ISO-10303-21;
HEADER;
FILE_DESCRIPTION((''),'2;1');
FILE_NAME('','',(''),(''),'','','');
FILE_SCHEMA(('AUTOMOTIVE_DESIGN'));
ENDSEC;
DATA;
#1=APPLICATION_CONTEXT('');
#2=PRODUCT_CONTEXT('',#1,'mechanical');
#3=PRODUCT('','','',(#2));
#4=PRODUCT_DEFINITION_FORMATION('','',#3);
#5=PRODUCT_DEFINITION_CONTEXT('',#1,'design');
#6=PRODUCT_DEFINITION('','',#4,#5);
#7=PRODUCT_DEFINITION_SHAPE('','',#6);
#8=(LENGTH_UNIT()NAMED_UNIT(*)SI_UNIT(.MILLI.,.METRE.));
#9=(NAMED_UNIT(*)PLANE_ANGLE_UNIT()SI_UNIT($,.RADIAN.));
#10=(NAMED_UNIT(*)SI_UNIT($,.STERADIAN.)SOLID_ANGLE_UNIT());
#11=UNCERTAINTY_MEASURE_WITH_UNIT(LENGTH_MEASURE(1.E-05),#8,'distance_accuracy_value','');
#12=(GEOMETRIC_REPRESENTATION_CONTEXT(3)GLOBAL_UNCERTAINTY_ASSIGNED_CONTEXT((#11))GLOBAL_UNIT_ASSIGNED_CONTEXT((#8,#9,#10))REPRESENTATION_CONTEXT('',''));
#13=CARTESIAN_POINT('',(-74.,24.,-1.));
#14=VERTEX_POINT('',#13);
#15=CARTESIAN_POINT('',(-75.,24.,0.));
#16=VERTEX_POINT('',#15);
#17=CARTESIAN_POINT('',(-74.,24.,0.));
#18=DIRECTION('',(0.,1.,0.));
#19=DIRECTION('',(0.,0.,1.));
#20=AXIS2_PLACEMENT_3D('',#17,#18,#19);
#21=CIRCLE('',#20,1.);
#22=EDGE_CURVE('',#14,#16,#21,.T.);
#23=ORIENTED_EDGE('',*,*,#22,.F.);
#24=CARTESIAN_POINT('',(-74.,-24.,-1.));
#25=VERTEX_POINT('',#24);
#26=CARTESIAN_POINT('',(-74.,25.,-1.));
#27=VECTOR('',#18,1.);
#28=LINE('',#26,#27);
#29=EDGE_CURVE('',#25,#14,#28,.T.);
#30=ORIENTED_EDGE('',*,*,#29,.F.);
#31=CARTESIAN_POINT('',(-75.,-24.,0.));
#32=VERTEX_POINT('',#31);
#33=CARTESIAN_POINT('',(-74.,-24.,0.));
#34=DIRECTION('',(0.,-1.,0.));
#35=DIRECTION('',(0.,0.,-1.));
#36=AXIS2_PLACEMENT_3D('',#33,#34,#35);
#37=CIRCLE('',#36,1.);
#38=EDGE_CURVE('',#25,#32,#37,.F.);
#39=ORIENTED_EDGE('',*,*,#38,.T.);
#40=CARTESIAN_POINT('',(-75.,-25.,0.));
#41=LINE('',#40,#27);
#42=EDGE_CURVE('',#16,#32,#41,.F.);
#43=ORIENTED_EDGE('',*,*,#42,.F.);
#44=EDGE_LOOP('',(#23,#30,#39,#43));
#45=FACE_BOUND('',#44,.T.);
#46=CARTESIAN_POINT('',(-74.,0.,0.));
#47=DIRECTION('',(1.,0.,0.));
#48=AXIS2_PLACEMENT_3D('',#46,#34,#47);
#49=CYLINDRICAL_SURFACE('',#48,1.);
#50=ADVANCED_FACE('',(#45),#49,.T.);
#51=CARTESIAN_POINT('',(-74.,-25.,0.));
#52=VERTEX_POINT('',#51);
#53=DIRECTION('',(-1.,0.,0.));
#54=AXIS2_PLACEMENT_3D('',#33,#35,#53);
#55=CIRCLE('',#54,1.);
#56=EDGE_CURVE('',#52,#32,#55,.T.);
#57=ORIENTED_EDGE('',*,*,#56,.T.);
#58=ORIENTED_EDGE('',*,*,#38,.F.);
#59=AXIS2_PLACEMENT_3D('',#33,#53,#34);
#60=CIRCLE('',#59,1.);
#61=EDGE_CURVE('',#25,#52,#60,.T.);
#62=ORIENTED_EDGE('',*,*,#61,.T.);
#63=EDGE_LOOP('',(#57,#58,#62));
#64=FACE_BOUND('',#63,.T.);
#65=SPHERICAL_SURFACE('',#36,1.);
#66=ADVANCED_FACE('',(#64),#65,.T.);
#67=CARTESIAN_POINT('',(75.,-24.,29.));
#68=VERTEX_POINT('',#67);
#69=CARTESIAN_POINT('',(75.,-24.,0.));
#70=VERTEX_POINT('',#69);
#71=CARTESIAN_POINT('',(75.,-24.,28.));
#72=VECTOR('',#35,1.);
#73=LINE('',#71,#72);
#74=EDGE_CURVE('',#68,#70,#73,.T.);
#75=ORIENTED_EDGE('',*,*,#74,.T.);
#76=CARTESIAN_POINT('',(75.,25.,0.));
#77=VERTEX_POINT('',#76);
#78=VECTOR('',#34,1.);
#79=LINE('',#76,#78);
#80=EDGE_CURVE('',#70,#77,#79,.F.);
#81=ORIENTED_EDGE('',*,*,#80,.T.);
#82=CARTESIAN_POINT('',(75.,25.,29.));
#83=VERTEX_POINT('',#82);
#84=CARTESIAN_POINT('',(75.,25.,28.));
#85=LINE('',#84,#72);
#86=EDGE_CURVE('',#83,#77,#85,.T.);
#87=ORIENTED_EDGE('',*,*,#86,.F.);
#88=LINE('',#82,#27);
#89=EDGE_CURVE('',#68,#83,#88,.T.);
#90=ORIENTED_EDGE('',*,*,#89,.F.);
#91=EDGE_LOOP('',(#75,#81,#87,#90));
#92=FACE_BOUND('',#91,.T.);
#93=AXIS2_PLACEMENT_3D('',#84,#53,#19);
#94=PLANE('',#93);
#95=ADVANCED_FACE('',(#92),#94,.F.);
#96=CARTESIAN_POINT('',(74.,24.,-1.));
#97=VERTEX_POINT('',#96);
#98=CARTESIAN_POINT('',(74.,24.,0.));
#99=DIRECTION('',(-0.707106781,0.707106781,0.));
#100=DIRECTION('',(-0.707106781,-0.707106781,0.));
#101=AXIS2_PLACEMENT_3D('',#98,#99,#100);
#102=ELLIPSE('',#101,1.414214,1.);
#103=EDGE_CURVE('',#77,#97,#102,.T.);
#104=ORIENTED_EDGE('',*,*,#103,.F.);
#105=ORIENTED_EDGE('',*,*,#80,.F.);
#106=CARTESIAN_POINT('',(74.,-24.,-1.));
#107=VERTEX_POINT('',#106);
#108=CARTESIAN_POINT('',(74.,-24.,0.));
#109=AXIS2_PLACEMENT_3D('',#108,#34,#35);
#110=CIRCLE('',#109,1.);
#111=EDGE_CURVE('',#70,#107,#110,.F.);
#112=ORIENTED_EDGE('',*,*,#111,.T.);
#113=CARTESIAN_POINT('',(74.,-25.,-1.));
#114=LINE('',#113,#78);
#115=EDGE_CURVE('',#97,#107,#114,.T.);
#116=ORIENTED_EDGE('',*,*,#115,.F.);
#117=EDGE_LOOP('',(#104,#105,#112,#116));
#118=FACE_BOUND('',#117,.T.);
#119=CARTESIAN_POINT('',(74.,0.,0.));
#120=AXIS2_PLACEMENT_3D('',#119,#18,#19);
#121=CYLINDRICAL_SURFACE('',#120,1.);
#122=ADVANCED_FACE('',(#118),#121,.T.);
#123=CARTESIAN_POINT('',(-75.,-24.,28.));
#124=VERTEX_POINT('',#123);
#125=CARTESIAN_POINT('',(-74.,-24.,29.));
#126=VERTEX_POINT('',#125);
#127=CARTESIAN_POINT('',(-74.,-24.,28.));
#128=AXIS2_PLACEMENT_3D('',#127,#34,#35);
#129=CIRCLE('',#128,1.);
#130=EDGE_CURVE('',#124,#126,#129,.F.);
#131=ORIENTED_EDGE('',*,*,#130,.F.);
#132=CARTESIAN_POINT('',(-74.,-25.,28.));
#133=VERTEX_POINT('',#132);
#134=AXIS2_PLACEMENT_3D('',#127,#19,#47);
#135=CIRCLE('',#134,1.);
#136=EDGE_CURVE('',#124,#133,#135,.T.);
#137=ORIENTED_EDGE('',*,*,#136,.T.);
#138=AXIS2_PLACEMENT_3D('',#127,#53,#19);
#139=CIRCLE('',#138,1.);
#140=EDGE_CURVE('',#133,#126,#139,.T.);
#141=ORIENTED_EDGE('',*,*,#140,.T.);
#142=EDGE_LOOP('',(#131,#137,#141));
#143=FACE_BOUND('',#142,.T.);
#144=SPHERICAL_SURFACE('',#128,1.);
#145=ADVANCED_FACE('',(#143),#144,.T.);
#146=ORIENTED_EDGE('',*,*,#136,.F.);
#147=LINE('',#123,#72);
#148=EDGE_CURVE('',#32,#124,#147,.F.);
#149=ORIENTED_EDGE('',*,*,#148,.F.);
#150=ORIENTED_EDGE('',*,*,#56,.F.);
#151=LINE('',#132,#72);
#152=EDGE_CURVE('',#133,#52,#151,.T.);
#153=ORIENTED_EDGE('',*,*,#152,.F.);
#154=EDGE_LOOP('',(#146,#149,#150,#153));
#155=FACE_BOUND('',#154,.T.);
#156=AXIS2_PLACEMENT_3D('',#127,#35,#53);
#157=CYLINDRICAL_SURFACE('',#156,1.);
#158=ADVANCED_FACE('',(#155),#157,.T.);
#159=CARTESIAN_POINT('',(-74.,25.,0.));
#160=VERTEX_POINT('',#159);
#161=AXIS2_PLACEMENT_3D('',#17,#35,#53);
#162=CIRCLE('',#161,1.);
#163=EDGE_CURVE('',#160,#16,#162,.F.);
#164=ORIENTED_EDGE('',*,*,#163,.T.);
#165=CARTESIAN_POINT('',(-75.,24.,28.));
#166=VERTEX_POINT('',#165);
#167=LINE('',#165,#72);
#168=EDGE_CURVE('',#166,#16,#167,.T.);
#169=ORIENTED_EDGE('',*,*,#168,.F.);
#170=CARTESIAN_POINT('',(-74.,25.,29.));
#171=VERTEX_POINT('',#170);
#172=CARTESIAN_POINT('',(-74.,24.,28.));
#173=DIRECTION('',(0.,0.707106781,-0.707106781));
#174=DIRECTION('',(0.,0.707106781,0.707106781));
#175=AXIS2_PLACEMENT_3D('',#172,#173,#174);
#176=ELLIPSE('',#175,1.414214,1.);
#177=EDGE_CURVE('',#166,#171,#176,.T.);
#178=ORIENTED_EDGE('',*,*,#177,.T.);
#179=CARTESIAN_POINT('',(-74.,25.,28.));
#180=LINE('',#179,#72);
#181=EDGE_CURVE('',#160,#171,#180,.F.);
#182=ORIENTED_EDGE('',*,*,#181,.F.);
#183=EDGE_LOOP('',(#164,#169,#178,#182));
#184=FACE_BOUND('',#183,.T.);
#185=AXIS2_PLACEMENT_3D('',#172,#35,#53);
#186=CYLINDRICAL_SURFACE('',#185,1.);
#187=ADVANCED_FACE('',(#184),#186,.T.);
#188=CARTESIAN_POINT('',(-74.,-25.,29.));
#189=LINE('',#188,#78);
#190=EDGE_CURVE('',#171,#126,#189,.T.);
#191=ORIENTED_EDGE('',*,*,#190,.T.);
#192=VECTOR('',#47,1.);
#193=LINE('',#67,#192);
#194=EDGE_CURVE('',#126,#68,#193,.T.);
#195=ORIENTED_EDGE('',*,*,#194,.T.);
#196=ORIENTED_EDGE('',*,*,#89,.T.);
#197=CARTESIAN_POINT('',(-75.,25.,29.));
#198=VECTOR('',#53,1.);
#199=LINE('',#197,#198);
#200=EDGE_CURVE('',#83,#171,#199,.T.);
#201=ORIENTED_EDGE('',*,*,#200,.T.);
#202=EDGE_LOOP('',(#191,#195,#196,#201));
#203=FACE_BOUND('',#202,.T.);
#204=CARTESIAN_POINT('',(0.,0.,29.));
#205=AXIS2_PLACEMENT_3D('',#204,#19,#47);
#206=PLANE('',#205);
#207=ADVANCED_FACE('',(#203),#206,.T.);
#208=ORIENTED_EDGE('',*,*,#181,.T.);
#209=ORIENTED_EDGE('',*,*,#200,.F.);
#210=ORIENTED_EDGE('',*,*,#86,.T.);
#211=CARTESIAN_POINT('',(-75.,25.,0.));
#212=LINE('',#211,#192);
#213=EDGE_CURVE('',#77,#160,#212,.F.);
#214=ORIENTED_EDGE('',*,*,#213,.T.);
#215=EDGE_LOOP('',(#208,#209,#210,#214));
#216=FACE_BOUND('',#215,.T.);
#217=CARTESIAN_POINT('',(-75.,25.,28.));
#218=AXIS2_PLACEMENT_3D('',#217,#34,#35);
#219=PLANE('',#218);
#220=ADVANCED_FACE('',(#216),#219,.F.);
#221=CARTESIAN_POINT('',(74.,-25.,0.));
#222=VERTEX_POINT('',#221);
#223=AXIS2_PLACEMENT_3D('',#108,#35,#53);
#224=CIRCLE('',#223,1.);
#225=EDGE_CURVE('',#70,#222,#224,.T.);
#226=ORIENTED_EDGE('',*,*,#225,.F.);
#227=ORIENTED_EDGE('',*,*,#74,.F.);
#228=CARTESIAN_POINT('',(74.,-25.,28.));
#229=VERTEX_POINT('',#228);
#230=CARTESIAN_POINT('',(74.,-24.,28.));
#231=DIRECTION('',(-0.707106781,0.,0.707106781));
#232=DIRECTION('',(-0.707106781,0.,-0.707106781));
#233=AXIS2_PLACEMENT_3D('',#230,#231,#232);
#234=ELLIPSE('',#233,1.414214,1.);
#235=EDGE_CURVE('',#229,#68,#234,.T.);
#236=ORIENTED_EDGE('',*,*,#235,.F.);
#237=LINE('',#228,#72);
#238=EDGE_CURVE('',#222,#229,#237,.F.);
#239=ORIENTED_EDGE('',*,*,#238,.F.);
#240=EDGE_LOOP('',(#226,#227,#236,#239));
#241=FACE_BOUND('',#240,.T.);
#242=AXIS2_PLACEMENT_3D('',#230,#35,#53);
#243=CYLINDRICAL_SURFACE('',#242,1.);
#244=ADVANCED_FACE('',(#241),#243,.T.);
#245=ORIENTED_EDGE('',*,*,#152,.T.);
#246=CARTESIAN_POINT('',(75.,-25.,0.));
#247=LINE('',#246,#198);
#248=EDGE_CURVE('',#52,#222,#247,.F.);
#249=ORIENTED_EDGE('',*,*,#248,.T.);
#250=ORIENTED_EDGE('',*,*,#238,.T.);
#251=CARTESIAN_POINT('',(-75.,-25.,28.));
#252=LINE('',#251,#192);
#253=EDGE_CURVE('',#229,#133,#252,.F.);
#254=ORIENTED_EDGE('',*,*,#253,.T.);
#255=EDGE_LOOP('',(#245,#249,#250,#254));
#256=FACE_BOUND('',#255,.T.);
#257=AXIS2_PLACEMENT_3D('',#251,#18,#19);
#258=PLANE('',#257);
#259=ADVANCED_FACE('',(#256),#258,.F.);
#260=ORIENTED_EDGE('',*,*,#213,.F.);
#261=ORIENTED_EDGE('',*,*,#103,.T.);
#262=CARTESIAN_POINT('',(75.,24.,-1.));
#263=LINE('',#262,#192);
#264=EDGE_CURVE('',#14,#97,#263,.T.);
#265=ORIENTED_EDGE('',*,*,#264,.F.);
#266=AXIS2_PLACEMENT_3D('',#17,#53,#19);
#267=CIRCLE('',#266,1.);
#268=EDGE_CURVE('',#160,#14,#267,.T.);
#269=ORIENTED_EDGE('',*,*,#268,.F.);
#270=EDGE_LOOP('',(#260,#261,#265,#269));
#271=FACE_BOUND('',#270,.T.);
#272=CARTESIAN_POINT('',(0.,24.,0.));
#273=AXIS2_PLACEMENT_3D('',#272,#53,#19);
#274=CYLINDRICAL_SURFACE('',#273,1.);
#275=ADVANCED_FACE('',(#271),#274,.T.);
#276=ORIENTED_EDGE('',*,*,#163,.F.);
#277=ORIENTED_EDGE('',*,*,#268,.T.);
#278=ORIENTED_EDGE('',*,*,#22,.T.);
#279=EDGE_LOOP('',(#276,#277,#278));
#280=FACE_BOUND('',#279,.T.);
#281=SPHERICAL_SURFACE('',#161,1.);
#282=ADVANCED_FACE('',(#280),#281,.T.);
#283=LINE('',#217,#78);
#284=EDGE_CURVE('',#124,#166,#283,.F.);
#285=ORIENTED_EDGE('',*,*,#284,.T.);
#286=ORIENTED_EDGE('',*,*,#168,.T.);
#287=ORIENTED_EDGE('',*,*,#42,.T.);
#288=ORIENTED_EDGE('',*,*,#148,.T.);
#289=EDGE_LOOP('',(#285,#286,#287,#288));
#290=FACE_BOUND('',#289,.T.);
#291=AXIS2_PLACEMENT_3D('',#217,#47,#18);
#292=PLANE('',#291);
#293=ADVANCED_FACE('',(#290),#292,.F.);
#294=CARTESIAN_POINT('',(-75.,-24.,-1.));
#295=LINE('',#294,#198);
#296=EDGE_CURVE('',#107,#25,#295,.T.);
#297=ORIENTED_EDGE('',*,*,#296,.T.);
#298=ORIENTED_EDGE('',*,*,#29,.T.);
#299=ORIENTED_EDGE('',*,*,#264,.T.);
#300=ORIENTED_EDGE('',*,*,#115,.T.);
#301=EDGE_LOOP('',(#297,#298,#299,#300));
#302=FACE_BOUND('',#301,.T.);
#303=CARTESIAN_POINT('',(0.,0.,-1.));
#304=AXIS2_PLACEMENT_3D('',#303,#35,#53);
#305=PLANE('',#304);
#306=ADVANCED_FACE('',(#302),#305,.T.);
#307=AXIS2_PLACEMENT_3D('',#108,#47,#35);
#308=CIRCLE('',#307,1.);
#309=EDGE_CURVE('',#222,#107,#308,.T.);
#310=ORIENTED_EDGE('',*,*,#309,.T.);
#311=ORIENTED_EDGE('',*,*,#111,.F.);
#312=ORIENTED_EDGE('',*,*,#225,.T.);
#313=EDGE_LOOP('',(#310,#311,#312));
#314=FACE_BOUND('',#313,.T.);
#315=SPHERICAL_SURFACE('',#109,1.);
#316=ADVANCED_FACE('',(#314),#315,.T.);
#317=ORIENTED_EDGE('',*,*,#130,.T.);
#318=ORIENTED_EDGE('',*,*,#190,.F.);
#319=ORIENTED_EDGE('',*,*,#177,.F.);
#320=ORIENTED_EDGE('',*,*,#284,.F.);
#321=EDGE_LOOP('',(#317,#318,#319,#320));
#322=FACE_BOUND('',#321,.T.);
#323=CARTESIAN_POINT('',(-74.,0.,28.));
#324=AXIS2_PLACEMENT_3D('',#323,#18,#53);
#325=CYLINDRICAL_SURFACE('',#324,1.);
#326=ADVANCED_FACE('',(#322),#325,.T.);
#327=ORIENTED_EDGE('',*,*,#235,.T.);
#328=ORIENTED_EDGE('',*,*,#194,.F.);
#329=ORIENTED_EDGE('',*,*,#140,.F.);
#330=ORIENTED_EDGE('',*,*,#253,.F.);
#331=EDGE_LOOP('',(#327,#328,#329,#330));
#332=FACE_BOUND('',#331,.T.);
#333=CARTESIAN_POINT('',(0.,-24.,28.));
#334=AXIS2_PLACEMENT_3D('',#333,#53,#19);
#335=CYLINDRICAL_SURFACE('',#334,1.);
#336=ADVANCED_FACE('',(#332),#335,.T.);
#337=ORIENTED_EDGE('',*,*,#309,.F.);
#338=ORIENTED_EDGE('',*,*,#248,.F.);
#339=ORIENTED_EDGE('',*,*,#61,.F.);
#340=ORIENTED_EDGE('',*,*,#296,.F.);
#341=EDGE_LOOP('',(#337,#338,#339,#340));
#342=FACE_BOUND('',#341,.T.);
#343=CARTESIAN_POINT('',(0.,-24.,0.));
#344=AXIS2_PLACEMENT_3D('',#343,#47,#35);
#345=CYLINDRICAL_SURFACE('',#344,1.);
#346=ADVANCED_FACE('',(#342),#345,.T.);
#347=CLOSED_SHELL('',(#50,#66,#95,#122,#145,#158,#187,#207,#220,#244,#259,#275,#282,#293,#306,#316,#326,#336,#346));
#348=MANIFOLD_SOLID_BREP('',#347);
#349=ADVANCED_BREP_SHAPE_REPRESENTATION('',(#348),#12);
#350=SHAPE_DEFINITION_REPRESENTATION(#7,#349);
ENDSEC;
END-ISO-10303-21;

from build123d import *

# Parameters (mm, degrees)
SKETCH1_W           = 150
SKETCH1_H           = 50
BOSS_EXTRUDE1_DEPTH = 28
SKETCH3_W           = 150
SKETCH3_H           = 50
BOSS_EXTRUDE2_DEPTH = 1
SKETCH4_W           = 150
SKETCH4_H           = 50
BOSS_EXTRUDE3_DEPTH = 1
FILLET1_R           = 1


with BuildPart() as part:
    # Sketch1 → Boss-Extrude1 (new body)
    with BuildSketch(Plane.XY):
        Rectangle(SKETCH1_W, SKETCH1_H)
    extrude(amount=BOSS_EXTRUDE1_DEPTH)

    # Sketch3 → Boss-Extrude2 (add)
    with BuildSketch(Plane.XY.offset(28)):
        Rectangle(SKETCH3_W, SKETCH3_H)
    extrude(amount=BOSS_EXTRUDE2_DEPTH)

    # Sketch4 → Boss-Extrude3 (add)
    with BuildSketch(Plane(origin=(0, 0, 0), x_dir=(-1, 0, 0), z_dir=(0, 0, -1))):
        Rectangle(SKETCH4_W, SKETCH4_H)
    extrude(amount=BOSS_EXTRUDE3_DEPTH)

    # Fillet1
    fillet1_edges = [part.edges().sort_by_distance(p)[0] for p in [
        (-75, 0, 29),
        (0, -25, 29),
        (-75, 0, -1),
        (0, 25, -1),
        (75, 0, -1),
        (0, -25, -1),
        (75, -25, 14),
        (-75, -25, 14),
        (-75, 25, 14),
    ]]
    fillet(fillet1_edges, radius=FILLET1_R)


solid = part.part
